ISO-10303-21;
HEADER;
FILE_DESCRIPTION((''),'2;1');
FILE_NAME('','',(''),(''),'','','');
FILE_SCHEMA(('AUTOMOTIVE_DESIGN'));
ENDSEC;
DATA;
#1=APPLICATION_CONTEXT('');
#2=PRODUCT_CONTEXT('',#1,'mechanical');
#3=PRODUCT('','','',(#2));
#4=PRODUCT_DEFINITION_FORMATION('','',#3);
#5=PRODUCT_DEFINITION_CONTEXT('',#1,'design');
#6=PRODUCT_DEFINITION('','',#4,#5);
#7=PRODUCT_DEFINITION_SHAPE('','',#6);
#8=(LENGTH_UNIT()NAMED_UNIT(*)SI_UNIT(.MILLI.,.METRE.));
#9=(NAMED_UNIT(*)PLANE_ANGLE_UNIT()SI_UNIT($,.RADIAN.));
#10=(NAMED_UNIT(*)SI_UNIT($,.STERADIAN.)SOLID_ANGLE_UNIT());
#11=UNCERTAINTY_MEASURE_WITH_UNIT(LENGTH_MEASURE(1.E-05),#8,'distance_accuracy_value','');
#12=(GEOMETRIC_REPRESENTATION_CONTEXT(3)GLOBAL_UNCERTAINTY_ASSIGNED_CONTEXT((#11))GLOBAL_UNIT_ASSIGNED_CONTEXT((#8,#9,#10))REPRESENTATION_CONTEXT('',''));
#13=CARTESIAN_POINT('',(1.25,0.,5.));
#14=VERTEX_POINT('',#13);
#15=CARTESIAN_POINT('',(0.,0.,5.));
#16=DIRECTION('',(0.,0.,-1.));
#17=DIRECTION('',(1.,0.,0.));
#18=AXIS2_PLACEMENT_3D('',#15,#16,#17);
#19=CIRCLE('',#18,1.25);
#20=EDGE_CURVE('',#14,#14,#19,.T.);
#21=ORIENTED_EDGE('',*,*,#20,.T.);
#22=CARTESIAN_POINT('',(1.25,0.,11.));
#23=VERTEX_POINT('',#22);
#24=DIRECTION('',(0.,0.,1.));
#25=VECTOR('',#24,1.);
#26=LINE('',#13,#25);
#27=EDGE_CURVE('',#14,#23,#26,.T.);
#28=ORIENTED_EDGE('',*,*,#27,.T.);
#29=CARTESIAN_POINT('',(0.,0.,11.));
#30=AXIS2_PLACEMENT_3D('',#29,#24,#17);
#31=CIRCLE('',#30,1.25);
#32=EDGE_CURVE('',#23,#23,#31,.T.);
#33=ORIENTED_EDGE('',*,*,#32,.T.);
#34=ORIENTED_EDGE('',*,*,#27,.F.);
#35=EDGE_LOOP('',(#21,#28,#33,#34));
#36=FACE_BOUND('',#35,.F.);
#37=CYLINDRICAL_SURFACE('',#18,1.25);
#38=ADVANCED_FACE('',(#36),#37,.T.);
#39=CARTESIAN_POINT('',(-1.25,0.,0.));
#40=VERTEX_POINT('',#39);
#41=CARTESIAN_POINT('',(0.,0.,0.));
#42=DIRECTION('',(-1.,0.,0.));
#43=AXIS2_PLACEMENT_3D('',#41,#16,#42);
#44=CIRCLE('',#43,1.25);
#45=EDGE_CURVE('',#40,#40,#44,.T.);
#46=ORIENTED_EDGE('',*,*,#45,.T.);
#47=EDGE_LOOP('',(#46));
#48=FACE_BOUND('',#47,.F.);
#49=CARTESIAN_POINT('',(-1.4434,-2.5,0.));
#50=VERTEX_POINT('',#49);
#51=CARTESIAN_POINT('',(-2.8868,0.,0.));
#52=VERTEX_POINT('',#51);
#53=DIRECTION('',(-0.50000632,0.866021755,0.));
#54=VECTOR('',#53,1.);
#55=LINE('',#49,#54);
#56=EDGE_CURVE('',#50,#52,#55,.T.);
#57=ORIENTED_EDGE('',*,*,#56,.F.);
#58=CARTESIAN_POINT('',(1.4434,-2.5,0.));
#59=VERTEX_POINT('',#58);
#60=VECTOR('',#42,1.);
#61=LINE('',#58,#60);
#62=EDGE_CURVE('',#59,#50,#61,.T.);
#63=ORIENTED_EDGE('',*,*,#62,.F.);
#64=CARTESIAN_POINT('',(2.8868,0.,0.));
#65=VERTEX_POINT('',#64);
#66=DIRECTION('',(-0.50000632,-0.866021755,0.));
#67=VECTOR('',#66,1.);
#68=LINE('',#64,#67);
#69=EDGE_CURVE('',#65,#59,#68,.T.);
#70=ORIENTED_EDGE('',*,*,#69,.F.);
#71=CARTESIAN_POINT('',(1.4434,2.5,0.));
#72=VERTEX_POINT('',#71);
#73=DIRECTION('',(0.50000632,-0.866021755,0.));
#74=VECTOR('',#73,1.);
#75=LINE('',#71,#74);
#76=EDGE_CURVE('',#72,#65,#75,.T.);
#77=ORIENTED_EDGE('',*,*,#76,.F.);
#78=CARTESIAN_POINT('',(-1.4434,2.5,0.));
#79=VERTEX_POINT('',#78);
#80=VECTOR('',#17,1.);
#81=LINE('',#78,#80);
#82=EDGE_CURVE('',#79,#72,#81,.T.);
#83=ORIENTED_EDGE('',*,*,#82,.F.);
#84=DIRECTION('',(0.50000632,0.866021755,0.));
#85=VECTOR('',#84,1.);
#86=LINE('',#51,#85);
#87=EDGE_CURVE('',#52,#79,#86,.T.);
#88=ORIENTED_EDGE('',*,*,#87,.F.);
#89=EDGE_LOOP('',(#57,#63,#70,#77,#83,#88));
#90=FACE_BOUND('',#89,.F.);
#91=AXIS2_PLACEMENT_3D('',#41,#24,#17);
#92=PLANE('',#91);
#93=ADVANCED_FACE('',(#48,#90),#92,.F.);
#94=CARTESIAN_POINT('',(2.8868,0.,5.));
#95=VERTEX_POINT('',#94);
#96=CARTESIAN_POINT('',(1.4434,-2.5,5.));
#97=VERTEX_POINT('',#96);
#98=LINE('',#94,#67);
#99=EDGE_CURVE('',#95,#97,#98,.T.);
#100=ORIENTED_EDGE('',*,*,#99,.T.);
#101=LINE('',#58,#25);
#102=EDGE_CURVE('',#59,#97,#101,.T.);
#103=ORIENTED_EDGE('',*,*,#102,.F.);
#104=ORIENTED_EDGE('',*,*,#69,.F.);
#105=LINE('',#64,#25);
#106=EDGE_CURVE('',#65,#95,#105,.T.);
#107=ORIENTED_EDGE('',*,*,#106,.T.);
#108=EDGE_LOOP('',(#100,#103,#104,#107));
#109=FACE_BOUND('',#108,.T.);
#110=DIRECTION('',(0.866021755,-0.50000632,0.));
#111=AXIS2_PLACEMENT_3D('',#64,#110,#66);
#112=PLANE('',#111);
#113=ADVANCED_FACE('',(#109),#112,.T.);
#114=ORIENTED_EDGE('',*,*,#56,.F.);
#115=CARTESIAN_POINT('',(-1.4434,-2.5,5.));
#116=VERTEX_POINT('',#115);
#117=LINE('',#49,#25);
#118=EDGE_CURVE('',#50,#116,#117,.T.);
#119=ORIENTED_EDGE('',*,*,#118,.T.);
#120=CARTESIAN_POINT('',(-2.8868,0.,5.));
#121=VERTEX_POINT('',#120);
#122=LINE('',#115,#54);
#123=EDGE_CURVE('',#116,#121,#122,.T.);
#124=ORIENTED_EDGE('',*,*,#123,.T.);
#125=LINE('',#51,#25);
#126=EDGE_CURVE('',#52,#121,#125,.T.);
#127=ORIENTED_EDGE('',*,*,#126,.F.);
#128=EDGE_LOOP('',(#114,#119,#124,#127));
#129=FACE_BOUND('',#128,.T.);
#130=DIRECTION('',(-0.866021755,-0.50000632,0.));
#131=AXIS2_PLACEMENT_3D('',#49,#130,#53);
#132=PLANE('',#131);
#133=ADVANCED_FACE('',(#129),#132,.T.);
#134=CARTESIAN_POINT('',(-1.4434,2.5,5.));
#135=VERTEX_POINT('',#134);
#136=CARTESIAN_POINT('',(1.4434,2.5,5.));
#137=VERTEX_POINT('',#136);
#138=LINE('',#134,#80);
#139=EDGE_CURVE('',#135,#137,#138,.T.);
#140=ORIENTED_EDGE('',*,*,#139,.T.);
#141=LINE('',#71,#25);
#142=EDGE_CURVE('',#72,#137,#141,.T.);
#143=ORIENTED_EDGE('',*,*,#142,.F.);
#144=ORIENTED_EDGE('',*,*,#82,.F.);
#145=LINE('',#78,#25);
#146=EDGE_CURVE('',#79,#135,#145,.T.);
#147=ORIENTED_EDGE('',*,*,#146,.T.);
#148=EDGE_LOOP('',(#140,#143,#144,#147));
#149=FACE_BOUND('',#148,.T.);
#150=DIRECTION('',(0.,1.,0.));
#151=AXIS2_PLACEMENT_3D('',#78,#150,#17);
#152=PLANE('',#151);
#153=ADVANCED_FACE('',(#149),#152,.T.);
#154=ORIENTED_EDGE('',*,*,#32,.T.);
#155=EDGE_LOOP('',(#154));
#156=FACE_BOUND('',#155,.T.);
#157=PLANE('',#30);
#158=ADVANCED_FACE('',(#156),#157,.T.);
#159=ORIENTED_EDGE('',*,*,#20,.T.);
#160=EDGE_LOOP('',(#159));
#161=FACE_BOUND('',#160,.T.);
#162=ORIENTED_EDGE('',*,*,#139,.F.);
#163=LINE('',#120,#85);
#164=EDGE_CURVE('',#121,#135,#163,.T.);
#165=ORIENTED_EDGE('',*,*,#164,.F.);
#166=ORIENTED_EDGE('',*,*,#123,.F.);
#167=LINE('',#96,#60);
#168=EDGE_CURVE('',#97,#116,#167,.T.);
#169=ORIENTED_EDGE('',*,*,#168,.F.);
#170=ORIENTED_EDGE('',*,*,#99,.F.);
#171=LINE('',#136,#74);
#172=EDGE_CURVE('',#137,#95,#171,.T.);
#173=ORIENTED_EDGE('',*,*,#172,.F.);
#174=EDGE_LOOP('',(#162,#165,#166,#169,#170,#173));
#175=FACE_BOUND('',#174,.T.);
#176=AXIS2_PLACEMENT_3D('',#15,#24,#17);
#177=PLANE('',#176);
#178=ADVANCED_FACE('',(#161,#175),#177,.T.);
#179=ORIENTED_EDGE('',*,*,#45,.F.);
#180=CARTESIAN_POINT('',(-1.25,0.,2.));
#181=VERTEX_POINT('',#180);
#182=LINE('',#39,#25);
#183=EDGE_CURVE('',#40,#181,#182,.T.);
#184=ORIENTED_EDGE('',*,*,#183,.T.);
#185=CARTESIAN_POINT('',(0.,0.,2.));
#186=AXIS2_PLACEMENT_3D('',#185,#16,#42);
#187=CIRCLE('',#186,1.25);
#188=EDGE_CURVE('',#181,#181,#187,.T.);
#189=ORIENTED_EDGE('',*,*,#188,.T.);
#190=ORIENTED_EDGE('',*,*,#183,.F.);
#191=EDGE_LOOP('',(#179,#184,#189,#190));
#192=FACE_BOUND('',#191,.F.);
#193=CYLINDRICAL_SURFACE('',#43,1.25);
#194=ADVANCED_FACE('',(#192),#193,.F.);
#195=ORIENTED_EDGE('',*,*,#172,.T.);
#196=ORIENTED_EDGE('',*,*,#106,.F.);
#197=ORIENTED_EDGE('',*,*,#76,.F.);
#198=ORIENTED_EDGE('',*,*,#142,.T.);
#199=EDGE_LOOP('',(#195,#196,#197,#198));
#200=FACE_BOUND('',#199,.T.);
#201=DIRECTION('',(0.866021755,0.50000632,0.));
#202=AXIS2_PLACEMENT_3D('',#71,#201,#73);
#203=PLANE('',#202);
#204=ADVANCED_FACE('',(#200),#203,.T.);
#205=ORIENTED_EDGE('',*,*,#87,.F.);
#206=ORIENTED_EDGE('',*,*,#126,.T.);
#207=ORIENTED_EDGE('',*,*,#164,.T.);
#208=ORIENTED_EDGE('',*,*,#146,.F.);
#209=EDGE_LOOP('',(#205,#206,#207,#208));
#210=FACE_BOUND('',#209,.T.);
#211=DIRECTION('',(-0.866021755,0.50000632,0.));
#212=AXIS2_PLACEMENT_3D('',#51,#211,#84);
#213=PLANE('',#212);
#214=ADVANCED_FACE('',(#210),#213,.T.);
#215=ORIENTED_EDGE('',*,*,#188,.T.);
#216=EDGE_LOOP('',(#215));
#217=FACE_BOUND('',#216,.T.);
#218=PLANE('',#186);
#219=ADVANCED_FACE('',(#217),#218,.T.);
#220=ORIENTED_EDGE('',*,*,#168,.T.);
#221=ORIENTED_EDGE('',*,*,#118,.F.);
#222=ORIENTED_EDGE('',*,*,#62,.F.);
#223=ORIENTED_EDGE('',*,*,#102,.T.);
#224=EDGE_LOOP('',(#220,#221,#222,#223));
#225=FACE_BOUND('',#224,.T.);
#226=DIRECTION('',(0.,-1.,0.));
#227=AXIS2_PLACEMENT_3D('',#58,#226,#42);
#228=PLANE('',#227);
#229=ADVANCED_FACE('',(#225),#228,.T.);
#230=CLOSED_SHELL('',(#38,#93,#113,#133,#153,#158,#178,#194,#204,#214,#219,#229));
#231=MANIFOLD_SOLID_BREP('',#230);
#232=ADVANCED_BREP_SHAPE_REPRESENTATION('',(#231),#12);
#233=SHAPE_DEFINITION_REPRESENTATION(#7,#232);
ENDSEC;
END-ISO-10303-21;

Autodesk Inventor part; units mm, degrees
ref_plane "YZ Plane" through (0, 0, 0) normal (1, 0, 0) x (0, 1, 0)
ref_plane "XZ Plane" through (0, 0, 0) normal (0, 1, 0) x (-1, 0, 0)
ref_plane "XY Plane" through (0, 0, 0) normal (0, 0, 1) x (1, 0, 0)
sketch "Sketch1" plane through (0, 0, 0) normal (0, 0, 1) x (1, 0, 0)
  line L0 (2.8868, 0) -> (1.4434, -2.5)
  line L1 (1.4434, -2.5) -> (-1.4434, -2.5)
  line L2 (-1.4434, -2.5) -> (-2.8868, 0)
  line L3 (-2.8868, 0) -> (-1.4434, 2.5)
  line L4 (-1.4434, 2.5) -> (1.4434, 2.5)
  line L5 (1.4434, 2.5) -> (2.8868, 0)
  point P0 (0, 0)
  point P1 (0, 0)
  dimension "d0" = 5
extrude "Extrusion1" add sketch "Sketch1" along normal blind 5
sketch "Sketch3" plane through (0, 0, 0) normal (0, 0, -1) x (-1, 0, 0)
  circle A0 centre (0, 0) radius 1.25
  dimension "d6" = 2.5
extrude "Extrusion3" cut sketch "Sketch3" against normal through all
sketch "Sketch4" plane through (0, 0, 5) normal (0, 0, 1) x (1, 0, 0)
  circle A0 centre (0, 0) radius 1.25
  dimension "d9" = 2.5
extrude "Extrusion4" add sketch "Sketch4" along normal blind 6
sketch "Sketch5" plane through (0, 0, 5) normal (0, 0, -1) x (-1, 0, 0)
  circle A0 centre (0, 0) radius 1.25 projected
extrude "Extrusion5" add sketch "Sketch5" along normal blind 3
properties part number "M2.5x6mm_Standoff_ 971050154"
